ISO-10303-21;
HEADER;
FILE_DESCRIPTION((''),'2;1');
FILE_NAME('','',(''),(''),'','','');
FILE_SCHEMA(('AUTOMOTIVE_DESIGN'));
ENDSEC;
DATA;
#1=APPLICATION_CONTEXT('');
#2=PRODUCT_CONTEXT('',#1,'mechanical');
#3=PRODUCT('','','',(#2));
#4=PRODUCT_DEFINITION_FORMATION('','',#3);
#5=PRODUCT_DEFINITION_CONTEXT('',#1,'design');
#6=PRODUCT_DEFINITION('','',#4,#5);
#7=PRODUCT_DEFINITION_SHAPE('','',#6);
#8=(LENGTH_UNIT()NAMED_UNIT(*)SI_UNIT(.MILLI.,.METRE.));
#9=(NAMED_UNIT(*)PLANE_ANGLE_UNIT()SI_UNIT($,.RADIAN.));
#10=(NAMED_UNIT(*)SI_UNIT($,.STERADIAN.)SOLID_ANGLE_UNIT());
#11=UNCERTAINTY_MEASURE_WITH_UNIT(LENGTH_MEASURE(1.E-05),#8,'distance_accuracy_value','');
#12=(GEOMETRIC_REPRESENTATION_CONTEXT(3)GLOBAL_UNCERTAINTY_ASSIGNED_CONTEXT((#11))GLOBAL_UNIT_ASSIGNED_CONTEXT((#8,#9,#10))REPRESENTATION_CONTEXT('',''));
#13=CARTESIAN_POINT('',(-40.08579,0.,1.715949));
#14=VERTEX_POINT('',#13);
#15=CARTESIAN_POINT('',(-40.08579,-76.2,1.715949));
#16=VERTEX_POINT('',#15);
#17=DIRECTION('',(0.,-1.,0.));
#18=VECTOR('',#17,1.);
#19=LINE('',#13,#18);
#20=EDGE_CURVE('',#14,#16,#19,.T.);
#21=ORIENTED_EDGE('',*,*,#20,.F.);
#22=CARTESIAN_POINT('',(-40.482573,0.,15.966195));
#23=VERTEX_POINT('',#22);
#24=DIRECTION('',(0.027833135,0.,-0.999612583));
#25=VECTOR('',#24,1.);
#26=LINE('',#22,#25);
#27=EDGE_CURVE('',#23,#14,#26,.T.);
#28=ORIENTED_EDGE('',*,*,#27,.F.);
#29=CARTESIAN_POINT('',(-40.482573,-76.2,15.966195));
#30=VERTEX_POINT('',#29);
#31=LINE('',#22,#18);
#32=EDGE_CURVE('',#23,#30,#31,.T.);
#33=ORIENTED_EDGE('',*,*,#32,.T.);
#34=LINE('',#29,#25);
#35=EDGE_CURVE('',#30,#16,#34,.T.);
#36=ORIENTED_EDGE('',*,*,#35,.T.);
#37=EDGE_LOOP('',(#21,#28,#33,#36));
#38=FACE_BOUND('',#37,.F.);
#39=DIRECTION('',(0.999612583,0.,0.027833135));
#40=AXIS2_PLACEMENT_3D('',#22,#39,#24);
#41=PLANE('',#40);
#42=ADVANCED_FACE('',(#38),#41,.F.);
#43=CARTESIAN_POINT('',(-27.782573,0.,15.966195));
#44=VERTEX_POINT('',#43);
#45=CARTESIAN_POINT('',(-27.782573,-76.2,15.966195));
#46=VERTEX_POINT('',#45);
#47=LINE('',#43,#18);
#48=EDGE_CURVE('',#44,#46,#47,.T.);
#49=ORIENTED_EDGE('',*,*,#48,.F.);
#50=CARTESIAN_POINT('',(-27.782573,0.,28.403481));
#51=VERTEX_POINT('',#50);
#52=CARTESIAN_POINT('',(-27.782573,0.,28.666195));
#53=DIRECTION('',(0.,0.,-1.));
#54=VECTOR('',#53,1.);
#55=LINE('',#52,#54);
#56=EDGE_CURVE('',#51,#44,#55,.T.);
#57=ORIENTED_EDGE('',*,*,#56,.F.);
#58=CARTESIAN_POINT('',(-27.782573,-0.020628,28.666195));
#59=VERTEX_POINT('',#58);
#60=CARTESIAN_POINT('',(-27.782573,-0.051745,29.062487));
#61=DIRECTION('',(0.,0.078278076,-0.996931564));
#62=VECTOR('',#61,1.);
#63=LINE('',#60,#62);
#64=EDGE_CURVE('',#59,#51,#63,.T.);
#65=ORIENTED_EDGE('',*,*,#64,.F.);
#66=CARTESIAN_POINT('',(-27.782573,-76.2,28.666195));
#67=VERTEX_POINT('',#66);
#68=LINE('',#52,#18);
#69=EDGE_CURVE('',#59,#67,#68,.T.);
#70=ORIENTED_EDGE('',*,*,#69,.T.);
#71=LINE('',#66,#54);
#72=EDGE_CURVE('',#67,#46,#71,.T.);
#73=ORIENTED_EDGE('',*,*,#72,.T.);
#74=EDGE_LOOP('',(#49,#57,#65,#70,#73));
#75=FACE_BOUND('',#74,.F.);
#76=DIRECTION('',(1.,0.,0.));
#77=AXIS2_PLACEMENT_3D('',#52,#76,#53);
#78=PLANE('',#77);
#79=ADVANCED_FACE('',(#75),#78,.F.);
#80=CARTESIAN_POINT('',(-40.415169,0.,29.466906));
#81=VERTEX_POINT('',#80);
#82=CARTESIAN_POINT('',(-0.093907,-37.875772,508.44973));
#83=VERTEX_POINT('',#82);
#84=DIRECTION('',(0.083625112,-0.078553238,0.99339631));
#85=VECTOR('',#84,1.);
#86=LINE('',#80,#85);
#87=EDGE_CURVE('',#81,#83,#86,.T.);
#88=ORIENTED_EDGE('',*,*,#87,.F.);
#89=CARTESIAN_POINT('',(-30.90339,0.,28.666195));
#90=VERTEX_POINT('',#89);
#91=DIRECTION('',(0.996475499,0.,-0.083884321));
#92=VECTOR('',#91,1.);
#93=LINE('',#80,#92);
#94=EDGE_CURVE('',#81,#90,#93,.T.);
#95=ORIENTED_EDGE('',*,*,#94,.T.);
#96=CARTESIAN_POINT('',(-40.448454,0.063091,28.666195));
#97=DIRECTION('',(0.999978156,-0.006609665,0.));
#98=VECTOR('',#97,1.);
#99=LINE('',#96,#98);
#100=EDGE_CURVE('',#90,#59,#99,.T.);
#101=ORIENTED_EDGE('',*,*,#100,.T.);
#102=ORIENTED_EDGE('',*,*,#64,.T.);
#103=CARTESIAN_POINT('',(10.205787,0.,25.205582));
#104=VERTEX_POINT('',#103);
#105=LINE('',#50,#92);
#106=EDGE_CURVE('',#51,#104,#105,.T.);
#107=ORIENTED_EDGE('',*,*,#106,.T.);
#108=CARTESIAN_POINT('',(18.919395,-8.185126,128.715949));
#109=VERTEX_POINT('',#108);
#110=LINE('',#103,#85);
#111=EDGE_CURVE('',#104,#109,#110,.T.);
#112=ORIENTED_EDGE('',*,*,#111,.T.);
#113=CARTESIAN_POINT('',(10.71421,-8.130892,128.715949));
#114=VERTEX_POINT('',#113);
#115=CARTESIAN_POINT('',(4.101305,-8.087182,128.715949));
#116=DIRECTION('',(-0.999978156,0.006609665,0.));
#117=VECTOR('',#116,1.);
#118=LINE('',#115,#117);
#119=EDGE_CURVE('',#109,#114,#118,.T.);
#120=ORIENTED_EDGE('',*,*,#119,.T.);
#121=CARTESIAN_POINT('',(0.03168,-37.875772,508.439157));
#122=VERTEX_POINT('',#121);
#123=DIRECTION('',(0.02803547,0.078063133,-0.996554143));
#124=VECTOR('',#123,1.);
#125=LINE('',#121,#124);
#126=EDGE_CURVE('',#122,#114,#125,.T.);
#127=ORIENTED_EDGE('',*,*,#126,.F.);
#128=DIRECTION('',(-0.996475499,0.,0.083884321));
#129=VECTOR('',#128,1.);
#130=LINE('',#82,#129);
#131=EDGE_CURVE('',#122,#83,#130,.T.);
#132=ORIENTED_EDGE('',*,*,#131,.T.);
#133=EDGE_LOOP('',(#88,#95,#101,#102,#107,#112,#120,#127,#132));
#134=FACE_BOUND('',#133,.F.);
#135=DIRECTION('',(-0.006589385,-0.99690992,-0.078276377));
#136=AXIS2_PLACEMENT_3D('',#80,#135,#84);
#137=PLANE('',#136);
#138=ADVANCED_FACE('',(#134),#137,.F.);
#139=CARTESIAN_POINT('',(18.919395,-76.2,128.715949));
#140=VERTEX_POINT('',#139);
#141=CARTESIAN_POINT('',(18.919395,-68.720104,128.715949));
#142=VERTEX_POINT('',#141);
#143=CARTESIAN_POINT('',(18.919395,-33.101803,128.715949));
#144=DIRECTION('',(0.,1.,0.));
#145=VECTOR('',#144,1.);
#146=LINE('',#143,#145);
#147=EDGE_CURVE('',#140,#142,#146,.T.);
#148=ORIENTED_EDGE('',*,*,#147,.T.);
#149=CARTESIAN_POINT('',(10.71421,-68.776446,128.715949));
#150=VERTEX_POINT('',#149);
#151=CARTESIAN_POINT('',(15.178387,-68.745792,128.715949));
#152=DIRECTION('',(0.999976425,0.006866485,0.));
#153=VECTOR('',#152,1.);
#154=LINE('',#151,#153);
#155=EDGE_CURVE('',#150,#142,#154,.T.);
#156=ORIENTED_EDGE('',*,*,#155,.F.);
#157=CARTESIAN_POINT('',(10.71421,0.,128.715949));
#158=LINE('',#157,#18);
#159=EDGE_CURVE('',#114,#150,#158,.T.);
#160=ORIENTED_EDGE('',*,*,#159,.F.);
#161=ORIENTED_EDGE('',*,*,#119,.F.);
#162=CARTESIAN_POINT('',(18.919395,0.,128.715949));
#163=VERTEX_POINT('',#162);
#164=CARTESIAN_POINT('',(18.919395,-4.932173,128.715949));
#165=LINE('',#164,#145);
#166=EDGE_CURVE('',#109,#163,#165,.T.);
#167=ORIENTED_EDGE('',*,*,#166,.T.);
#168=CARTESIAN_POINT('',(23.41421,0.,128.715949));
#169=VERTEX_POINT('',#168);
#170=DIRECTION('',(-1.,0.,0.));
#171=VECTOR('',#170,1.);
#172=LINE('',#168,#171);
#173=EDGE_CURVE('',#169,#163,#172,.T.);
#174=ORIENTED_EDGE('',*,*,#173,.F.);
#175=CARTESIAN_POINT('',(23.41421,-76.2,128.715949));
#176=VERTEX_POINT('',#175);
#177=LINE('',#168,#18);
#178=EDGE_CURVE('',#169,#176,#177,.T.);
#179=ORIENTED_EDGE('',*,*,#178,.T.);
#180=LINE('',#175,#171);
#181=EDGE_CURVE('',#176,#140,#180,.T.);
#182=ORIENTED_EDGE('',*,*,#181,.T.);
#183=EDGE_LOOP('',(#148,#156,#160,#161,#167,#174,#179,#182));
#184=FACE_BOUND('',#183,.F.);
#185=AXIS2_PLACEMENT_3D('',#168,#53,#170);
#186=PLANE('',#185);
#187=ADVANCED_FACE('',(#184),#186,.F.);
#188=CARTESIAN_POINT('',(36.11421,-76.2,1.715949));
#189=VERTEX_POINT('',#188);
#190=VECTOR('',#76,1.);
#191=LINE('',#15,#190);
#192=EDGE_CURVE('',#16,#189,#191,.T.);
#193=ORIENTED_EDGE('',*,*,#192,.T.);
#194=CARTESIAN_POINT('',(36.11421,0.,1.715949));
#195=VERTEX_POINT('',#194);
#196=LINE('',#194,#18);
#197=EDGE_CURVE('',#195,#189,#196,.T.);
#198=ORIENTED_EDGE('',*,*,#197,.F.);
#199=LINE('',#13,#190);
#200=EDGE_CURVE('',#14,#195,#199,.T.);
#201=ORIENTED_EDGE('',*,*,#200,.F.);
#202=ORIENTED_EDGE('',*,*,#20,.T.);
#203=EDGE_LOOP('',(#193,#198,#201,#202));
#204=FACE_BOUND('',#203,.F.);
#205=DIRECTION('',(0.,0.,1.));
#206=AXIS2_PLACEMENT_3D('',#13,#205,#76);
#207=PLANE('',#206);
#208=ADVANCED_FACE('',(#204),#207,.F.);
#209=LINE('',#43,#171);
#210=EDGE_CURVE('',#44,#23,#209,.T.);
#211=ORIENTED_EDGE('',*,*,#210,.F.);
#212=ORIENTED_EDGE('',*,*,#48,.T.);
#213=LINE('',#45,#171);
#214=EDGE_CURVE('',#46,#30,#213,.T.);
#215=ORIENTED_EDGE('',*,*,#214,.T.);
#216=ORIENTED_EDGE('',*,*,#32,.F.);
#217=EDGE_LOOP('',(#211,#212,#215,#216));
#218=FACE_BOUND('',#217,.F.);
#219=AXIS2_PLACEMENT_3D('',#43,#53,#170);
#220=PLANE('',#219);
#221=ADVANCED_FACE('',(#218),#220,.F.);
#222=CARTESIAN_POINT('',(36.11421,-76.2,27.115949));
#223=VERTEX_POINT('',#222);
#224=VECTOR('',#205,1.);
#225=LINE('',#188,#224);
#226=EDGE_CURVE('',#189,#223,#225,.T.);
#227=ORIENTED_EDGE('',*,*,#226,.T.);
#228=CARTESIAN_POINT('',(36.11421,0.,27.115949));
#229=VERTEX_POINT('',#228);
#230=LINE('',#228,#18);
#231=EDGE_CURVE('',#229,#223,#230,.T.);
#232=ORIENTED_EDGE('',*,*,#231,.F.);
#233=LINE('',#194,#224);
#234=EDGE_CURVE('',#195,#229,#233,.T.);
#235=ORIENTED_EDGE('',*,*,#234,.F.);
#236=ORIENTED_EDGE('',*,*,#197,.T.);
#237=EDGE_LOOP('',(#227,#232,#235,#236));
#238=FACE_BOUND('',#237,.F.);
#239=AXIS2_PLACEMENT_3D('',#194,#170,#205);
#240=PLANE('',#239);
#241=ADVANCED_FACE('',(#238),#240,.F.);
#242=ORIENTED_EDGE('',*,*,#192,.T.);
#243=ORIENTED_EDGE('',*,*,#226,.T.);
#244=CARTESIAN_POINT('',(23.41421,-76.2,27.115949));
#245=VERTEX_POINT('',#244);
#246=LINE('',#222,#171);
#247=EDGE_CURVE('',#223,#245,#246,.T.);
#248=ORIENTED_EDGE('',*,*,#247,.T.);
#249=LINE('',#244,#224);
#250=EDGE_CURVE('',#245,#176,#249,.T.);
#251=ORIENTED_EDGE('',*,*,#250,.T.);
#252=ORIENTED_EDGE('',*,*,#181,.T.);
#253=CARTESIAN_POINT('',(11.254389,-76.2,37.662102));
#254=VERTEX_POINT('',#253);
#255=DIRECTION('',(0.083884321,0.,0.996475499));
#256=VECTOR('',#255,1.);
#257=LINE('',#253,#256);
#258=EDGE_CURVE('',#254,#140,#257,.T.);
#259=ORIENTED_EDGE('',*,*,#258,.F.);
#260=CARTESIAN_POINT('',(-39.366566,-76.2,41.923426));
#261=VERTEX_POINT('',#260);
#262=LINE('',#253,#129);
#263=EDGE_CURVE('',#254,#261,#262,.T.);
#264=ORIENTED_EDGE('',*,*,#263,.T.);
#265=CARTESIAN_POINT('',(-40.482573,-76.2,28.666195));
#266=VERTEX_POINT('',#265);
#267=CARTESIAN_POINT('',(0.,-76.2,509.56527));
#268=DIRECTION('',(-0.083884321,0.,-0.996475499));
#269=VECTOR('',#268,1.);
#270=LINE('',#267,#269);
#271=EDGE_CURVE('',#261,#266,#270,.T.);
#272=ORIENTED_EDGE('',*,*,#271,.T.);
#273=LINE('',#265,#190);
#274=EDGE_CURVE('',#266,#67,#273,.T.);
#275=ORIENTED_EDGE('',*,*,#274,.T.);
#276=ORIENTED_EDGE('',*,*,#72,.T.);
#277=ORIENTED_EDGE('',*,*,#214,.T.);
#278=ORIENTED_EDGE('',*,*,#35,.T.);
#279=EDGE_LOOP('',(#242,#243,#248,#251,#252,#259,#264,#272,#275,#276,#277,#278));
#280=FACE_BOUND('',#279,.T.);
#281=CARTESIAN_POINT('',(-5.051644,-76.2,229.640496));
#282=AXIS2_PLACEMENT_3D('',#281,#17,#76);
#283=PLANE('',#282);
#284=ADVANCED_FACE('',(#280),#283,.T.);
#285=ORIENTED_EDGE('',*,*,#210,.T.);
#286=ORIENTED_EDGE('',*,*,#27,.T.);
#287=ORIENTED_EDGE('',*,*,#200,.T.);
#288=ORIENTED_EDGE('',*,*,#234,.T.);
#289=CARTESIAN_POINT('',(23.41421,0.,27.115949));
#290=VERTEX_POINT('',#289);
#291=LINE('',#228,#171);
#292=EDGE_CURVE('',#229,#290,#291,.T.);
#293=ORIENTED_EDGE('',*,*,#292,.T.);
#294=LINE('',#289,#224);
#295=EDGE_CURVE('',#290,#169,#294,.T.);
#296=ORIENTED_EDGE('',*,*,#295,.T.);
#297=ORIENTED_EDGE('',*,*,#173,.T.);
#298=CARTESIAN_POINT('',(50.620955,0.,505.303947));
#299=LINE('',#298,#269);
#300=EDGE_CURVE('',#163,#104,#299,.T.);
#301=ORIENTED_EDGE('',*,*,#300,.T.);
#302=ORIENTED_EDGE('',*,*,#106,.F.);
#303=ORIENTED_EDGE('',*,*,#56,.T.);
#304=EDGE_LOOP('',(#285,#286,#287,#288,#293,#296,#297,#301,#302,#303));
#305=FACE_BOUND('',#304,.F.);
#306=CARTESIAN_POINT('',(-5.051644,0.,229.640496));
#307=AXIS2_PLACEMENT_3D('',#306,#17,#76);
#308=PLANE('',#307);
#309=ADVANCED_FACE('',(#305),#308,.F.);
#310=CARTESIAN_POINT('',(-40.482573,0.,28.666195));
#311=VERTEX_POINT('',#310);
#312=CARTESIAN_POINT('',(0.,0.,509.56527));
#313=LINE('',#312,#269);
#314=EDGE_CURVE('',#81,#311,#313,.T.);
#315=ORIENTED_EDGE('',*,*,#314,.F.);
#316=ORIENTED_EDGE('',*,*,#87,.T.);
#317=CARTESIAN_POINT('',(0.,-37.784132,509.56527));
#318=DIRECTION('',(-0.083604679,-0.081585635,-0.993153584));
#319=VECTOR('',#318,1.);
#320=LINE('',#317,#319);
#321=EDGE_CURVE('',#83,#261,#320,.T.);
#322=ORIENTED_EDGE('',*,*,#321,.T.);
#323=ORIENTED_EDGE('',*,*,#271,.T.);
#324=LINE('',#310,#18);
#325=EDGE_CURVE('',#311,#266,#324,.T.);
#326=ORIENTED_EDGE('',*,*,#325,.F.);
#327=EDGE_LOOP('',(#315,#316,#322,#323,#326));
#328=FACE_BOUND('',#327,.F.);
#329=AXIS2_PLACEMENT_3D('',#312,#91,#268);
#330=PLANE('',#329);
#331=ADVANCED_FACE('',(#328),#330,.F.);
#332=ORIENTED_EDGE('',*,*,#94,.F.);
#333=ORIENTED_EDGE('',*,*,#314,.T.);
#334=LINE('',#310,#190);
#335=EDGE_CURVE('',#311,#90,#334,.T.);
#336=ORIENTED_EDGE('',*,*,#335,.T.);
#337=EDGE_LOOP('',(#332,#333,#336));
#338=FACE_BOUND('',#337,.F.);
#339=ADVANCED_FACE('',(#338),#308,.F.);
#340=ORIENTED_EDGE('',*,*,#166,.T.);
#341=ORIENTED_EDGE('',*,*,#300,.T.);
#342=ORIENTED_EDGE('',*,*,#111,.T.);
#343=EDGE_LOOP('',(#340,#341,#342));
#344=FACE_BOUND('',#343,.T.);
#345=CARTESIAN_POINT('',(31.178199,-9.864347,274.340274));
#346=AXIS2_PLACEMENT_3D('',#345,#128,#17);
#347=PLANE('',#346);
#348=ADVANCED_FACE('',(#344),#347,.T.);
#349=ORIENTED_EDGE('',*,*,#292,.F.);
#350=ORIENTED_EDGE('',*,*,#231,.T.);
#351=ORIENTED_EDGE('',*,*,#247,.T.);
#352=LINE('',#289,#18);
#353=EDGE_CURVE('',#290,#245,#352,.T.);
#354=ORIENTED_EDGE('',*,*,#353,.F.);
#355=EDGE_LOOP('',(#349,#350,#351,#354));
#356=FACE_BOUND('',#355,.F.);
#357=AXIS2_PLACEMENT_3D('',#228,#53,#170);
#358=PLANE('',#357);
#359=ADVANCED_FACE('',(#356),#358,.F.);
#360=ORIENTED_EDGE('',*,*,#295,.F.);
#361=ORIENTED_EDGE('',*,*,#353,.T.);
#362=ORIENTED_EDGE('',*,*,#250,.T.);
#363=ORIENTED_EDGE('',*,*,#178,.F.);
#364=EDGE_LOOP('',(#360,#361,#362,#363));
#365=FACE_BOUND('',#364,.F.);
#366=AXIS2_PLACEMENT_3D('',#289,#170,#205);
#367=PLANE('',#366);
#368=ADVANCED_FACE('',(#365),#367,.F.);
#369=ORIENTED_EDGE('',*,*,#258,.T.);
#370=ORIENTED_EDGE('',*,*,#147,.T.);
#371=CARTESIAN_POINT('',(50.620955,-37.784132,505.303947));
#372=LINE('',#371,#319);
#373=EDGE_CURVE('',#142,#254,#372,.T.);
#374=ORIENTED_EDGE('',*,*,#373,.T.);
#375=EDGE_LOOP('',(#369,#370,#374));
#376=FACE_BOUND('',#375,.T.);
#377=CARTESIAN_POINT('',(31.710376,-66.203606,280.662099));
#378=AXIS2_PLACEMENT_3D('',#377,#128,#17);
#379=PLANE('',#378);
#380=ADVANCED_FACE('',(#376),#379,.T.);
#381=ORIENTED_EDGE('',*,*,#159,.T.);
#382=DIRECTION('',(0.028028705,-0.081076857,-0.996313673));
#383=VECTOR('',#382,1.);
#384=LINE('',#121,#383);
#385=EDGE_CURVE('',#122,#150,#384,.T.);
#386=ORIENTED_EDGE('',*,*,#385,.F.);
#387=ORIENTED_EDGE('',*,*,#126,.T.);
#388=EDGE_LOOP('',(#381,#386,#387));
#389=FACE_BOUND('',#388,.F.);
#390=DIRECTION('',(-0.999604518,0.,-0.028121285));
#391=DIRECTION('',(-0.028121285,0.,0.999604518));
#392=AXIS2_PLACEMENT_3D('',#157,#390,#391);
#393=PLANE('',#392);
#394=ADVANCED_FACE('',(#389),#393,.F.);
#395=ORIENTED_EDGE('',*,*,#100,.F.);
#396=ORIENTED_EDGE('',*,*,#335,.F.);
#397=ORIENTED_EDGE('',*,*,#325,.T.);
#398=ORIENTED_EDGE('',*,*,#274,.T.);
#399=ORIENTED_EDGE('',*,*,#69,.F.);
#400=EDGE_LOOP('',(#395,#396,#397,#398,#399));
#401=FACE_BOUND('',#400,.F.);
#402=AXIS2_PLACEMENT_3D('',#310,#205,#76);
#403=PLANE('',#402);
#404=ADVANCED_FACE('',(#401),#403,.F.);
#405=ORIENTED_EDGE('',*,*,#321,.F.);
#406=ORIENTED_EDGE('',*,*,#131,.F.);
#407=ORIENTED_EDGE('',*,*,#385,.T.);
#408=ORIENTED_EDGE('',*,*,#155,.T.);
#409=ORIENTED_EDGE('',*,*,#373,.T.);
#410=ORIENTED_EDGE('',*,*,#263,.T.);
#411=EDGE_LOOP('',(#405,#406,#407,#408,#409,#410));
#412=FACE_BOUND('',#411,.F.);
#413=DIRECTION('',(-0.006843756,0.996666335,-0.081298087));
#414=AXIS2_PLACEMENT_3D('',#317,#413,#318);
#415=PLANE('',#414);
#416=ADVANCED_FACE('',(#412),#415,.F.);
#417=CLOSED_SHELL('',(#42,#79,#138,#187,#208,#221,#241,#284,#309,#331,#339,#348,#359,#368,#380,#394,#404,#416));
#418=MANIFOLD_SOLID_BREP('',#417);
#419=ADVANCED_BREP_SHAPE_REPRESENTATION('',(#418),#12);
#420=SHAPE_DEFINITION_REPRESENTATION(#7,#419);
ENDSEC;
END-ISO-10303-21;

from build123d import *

# Parameters (mm, degrees)
F1_DEPTH = 76.2
F4_DEPTH = 25.4
F6_DEPTH = 25.4
F7_DEPTH = 25.4
F8_DEPTH = 25.4


with BuildPart() as f1:
    # F0 (on Front) → F1 (new body)
    with BuildSketch(Plane.XZ):
        Polygon((-40.0857904882, 1.7159489595), (36.1142095118, 1.7159489595), (36.1142095118, 27.1159489595), (23.4142095118, 27.1159489595), (23.4142095118, 128.7159489595), (10.7142095118, 128.7159489595), (0, 509.5652704956), (-40.4825732112, 28.6661945283), (-27.7825732112, 28.6661945283), (-27.7825732112, 15.9661945283), (-40.4825732112, 15.9661945283), align=None)
    extrude(amount=F1_DEPTH)

    # F3 (on face) → F4 (cut)
    with BuildSketch(Plane(origin=(-42.5938834628, 0, 3.585596421), x_dir=(0, -1, 0), z_dir=(-0.9964754993, 0, 0.0838843208))):
        Polygon((37.7841320195, 507.7693073485), (76.2, 38.4734290846), (76.2, 507.7693073485), align=None)
    extrude(amount=-F4_DEPTH, mode=Mode.SUBTRACT)

    # F5 (on face) → F6 (cut)
    with BuildSketch(Plane(origin=(-42.5938834628, 0, 3.585596421), x_dir=(0, -1, 0), z_dir=(-0.9964754993, 0, 0.0838843208))):
        Polygon((0, 25.9728506207), (37.9639834193, 507.7693073485), (0, 507.7693073485), align=None)
    extrude(amount=-F6_DEPTH, mode=Mode.SUBTRACT)

    # F7 (cut): a face of the model
    f7_faces = [f1.faces().sort_by_distance(p)[0] for p in [
        (-0.4288778428, -69.5509425431, 201.6726152219),
    ]]
    extrude(f7_faces, amount=-F7_DEPTH, mode=Mode.SUBTRACT)

    # F8 (cut): a face of the model
    f8_faces = [f1.faces().sort_by_distance(p)[0] for p in [
        (-0.7784120208, -6.7286940969, 197.5204418331),
    ]]
    extrude(f8_faces, amount=-F8_DEPTH, mode=Mode.SUBTRACT)


solid = f1.part
